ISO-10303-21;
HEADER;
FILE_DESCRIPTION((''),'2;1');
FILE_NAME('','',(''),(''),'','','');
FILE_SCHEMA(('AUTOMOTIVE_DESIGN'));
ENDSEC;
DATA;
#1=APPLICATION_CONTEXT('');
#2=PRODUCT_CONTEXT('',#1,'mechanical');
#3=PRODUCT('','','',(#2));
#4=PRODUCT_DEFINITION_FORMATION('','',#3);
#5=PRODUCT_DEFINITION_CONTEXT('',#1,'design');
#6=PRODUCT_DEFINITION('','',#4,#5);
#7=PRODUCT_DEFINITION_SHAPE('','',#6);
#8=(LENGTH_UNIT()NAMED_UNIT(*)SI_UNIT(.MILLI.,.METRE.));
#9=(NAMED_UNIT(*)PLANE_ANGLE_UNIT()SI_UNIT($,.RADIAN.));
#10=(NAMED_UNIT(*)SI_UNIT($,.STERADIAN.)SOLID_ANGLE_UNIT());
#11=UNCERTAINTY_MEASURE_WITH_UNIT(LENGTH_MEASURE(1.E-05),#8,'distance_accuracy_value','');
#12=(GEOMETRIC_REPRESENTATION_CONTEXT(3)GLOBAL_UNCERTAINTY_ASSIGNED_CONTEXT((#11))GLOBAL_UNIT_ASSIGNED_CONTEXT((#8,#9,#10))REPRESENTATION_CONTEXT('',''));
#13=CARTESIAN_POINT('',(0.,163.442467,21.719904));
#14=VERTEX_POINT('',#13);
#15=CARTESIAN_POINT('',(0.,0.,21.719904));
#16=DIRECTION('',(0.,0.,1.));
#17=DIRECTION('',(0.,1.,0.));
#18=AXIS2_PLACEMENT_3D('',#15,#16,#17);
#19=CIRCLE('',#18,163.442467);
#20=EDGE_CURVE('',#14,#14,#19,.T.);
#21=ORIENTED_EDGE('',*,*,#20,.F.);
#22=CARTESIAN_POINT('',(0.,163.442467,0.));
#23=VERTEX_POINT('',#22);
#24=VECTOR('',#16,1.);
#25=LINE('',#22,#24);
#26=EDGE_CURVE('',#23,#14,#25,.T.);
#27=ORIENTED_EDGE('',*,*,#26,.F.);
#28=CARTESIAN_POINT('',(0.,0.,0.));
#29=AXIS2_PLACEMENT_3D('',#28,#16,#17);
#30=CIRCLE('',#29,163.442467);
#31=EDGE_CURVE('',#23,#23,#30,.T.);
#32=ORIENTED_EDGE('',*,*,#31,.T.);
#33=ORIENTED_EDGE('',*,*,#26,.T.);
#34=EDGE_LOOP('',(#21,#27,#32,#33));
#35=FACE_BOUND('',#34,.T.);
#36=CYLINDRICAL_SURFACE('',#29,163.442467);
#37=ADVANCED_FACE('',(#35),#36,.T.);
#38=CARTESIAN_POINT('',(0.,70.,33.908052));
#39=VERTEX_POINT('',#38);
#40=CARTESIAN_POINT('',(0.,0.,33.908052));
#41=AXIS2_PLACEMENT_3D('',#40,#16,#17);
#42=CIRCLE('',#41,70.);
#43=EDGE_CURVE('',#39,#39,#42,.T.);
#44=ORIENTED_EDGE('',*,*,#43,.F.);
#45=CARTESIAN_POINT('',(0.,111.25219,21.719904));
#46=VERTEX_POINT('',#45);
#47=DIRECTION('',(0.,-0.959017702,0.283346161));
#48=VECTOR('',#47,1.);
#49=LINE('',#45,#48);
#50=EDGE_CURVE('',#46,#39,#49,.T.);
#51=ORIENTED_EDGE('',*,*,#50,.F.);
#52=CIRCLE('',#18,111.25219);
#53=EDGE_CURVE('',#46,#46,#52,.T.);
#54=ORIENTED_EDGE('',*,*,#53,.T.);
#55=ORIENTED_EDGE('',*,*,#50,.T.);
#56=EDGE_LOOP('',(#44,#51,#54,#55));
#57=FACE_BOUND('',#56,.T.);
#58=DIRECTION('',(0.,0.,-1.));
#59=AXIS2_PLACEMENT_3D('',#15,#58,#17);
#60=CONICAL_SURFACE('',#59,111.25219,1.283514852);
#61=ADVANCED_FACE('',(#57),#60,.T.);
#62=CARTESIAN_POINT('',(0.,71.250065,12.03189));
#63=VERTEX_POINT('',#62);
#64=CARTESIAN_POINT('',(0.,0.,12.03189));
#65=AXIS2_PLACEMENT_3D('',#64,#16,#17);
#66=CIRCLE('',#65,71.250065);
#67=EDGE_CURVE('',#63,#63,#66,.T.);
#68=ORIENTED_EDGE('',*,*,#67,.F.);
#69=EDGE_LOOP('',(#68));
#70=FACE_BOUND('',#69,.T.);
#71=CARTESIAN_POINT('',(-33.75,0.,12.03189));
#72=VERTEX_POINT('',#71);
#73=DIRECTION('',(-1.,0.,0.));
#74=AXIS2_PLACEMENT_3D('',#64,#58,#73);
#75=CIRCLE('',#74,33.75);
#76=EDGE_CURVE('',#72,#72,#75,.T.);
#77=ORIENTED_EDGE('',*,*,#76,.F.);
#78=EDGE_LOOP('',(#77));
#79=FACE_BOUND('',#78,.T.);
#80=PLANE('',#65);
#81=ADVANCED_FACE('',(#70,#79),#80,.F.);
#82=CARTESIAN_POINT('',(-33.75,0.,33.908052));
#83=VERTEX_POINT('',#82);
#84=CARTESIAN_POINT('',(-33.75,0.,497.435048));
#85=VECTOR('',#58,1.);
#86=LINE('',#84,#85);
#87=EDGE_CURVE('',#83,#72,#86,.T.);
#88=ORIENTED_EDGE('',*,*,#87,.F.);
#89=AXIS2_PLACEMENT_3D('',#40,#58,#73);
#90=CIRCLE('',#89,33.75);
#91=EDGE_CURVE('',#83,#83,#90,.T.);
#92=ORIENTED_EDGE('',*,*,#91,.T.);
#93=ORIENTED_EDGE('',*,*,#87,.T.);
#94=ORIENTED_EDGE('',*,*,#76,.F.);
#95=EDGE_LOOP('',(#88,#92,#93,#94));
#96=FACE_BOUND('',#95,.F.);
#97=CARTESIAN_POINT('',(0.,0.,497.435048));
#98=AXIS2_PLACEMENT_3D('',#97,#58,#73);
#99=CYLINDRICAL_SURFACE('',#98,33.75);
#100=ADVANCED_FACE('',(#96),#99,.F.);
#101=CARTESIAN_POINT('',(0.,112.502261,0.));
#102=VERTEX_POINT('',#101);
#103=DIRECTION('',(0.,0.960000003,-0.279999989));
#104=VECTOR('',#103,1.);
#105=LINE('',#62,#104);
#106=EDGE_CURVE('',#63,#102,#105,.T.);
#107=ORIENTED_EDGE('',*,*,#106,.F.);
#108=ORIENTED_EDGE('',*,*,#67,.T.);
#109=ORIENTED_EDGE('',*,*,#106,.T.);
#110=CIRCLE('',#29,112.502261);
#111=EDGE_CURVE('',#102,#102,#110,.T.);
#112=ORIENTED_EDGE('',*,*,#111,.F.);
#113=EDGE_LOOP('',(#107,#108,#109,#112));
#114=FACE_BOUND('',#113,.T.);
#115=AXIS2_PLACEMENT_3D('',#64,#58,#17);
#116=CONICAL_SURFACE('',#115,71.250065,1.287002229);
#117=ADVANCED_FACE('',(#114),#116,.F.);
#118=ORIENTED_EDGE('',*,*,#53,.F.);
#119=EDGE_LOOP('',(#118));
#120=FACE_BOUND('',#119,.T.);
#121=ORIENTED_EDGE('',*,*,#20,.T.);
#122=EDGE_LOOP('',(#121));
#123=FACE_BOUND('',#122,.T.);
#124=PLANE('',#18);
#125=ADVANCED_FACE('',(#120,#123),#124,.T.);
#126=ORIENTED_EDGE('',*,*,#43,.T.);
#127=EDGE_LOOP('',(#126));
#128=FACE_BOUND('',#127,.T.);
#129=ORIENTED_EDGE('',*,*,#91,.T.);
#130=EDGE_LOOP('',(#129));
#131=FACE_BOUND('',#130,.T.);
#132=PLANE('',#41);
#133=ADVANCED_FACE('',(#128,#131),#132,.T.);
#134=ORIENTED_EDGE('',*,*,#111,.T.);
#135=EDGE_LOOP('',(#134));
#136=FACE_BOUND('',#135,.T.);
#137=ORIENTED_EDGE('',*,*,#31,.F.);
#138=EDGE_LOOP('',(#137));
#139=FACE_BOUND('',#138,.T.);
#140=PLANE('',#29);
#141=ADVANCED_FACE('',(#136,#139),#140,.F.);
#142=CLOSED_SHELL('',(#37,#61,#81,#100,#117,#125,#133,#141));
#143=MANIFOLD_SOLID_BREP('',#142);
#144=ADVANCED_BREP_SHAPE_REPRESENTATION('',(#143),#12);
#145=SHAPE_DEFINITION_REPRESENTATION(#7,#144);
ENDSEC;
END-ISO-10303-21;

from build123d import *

# Parameters (mm, degrees)
F3_D = 67.5


with BuildPart() as f1:
    # F0 (on Right) → F1 (revolve)
    with BuildSketch(Plane.YZ):
        Polygon((70, 33.908052), (0, 33.908052), (0, 12.03189), (71.250065, 12.03189), (112.502261, 0), (163.442467, 0), (163.442467, 21.719904), (111.25219, 21.719904), align=None)
    revolve(axis=Axis((0, 0, 22.969971), (0, 0, 1)))

    # F3 (through all)
    with Locations(Plane.XY.offset(33.908052)):
        with Locations((0, 0)):
            Hole(F3_D / 2)


solid = f1.part
